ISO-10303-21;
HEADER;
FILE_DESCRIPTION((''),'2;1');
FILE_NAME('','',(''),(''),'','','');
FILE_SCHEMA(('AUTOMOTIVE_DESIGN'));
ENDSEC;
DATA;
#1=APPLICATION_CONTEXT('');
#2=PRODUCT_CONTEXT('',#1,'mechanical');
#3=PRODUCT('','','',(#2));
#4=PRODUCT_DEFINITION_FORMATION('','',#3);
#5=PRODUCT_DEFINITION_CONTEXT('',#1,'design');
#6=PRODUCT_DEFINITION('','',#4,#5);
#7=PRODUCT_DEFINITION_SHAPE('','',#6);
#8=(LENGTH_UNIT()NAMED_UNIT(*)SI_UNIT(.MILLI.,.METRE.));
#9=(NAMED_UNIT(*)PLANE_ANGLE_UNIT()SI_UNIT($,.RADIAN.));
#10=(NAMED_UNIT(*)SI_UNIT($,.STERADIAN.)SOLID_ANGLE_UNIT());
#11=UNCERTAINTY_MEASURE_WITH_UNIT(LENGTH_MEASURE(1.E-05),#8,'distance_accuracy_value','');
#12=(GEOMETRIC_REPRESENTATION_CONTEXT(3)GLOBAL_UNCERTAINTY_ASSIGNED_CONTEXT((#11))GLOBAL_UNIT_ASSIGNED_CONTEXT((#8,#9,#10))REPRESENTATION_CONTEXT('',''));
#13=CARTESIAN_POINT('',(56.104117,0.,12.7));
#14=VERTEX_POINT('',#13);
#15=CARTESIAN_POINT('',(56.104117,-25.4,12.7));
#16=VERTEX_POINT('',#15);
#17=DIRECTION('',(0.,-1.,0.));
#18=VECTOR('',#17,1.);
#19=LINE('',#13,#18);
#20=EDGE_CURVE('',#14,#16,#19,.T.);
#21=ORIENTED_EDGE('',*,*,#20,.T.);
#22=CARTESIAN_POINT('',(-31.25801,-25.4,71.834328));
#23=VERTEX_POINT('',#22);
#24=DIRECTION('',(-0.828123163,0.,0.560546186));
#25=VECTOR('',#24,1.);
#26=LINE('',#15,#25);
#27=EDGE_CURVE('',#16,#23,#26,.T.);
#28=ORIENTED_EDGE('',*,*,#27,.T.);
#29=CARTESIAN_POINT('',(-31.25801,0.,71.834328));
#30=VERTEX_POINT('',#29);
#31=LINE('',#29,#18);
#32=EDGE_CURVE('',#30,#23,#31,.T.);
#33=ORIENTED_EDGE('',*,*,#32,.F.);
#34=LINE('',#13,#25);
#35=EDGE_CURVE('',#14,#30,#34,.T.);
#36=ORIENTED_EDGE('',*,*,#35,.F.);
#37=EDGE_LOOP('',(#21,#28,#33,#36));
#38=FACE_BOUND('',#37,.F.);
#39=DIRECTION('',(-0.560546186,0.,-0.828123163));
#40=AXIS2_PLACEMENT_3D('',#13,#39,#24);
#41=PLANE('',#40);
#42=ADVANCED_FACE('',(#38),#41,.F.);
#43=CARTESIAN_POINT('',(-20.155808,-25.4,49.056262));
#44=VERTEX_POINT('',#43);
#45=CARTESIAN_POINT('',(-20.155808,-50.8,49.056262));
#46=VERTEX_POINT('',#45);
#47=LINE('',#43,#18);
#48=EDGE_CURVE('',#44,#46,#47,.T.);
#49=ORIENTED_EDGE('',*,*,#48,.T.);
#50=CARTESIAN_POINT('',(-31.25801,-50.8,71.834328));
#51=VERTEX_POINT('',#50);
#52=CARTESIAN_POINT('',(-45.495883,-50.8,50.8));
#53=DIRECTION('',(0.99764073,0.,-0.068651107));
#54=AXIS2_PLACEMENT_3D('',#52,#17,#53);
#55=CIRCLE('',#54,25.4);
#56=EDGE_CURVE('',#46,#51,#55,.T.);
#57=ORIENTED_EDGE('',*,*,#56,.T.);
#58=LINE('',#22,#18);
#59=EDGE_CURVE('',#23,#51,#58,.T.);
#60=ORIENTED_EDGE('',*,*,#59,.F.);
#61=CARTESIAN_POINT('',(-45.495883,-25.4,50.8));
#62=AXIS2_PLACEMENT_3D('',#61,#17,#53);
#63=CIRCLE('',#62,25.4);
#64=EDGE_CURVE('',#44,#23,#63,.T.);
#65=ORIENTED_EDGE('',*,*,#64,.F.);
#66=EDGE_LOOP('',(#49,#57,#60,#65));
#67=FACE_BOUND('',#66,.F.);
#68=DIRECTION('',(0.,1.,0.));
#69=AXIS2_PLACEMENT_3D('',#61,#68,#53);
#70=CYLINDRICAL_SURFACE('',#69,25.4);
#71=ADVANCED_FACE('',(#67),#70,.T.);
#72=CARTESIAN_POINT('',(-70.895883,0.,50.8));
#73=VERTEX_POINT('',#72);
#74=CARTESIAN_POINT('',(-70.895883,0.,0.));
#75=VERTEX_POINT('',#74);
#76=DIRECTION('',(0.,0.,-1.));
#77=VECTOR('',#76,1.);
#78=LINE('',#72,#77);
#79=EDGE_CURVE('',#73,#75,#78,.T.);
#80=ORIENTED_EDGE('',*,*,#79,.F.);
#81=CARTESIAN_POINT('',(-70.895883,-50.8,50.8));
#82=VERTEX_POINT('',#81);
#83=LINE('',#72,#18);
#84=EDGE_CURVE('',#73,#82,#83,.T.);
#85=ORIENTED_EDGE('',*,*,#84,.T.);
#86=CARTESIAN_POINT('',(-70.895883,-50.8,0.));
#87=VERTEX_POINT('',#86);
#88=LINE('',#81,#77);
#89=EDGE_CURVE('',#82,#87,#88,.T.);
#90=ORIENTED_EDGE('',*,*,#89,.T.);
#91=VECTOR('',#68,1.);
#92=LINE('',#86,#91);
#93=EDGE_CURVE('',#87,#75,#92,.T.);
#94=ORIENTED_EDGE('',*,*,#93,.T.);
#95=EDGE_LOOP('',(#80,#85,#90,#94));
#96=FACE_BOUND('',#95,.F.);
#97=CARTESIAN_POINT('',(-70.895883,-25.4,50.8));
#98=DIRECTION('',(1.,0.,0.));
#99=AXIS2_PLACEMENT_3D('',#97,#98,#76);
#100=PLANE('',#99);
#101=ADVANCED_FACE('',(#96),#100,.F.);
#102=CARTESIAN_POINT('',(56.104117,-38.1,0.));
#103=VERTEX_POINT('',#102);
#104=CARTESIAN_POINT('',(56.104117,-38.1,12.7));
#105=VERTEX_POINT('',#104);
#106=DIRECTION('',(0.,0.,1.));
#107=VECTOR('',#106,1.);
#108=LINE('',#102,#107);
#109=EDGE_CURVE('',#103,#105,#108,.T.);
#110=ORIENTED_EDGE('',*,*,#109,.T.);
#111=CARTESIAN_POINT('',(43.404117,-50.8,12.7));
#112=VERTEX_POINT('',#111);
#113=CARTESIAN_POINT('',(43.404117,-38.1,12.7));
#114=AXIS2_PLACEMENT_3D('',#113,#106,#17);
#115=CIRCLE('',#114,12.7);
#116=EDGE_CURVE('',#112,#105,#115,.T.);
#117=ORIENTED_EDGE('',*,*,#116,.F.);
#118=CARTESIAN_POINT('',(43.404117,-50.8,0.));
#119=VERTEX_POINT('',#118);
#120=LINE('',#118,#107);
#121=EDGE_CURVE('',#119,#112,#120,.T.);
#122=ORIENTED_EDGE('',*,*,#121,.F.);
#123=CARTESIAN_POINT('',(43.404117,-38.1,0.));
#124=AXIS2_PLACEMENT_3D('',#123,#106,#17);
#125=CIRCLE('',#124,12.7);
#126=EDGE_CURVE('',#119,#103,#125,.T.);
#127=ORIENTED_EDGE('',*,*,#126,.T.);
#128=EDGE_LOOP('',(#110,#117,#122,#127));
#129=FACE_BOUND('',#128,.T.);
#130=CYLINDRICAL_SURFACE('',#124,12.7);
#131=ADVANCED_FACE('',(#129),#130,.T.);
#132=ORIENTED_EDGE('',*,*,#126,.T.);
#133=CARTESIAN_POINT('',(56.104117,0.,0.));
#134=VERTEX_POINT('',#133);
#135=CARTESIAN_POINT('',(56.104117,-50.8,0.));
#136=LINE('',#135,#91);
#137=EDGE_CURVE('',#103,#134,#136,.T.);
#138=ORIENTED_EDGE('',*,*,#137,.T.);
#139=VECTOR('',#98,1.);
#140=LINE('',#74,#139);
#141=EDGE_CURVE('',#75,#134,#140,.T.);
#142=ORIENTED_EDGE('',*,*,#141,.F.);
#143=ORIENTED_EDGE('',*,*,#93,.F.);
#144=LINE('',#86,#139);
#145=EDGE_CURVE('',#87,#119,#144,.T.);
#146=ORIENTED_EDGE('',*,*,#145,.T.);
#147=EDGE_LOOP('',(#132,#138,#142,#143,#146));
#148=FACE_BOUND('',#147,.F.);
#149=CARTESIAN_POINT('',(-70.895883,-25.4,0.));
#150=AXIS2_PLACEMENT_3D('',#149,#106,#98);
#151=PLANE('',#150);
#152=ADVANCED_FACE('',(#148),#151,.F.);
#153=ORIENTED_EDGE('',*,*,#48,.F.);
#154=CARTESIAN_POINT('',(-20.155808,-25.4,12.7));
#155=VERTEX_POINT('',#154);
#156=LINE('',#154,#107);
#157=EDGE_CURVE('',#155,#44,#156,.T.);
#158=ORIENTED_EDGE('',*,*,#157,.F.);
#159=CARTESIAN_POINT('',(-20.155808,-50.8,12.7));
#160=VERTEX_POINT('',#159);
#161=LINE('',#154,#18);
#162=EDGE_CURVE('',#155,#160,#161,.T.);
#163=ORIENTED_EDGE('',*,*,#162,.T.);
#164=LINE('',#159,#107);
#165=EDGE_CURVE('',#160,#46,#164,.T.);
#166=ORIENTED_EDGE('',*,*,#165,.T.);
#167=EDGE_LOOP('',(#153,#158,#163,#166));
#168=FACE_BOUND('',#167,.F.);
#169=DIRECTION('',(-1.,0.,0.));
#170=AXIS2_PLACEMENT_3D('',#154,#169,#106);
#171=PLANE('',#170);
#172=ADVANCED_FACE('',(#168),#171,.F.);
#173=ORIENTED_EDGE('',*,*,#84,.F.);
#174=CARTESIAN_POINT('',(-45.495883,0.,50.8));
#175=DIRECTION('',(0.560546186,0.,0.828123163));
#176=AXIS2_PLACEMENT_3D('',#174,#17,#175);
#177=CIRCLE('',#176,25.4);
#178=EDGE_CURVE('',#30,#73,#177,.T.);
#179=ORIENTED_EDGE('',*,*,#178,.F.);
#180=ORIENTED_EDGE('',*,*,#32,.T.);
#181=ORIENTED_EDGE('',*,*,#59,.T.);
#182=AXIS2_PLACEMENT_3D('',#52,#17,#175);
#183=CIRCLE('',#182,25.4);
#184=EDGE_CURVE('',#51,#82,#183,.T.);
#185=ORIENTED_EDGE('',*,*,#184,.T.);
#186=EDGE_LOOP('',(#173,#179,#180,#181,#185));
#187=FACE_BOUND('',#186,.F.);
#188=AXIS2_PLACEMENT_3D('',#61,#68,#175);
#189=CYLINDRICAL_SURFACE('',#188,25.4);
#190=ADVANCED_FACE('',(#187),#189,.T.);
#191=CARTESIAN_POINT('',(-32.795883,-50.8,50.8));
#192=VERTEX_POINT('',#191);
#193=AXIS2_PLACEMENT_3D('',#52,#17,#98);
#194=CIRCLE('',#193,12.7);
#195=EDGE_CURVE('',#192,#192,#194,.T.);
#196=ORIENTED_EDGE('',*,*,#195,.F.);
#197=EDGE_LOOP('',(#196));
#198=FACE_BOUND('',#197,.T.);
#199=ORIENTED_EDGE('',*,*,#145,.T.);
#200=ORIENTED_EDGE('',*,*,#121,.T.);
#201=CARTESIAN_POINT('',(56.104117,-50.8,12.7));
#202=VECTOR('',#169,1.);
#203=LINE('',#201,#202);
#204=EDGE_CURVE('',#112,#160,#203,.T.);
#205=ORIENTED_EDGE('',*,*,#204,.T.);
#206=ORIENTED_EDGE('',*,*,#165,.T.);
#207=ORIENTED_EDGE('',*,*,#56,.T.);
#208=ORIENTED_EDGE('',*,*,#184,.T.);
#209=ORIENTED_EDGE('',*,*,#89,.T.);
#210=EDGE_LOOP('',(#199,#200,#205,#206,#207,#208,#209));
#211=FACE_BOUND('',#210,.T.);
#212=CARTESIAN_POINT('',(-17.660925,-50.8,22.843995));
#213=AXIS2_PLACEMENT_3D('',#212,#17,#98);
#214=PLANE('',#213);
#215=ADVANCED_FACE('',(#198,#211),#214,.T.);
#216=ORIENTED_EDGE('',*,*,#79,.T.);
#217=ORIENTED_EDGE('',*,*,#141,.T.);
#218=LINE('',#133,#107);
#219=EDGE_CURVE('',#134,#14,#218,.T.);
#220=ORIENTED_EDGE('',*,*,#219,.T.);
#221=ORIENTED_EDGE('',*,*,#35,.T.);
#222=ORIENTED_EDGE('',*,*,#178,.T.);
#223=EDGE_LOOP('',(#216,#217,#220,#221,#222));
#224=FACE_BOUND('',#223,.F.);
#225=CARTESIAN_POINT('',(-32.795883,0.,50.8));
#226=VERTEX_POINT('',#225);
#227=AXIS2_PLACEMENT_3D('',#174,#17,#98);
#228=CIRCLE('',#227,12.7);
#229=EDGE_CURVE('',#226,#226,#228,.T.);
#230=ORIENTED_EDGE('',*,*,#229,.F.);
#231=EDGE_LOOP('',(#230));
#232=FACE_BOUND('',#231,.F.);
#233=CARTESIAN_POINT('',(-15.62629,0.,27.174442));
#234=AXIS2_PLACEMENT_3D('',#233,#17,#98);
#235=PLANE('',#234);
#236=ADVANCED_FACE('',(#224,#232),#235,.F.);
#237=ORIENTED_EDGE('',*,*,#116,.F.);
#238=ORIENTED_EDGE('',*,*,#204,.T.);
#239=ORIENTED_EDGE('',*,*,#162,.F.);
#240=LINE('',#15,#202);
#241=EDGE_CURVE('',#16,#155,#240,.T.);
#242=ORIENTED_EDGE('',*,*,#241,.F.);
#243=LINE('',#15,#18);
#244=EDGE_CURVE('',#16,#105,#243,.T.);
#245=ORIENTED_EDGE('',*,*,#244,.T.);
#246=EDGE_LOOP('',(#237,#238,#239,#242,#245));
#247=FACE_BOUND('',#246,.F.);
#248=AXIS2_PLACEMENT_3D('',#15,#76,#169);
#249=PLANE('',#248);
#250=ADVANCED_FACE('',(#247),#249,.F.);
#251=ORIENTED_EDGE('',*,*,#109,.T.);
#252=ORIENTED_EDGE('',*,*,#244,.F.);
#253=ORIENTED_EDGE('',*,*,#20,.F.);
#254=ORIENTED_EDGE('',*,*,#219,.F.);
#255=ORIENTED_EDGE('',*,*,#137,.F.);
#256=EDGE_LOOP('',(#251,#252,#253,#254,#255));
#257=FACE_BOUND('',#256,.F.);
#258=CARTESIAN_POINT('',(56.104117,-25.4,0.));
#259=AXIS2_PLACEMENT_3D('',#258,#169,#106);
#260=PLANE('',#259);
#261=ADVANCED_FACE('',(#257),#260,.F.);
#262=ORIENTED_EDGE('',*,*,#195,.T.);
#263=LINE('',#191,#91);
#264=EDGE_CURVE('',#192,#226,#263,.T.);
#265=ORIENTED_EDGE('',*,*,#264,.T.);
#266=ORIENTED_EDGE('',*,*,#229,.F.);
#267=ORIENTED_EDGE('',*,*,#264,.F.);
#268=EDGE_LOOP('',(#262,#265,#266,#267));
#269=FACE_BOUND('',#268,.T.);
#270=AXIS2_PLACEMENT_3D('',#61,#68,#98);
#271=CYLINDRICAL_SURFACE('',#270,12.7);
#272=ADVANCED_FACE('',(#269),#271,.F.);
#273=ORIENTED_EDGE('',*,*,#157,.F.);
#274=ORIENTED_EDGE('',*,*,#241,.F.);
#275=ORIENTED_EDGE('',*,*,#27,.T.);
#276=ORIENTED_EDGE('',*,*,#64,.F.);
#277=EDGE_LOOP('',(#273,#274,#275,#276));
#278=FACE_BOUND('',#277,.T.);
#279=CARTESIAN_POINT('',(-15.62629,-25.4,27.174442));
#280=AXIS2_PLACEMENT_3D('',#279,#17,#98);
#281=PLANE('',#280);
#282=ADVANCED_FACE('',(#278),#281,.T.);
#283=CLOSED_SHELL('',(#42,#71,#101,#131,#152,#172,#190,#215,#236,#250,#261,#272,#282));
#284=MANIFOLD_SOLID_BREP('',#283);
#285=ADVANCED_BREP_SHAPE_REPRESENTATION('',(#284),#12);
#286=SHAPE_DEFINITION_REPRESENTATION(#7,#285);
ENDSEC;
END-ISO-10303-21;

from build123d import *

# Parameters (mm, degrees)
F0_R     = 12.7
F1_DEPTH = 25.4
F2_R     = 12.7
F3_DEPTH = 25.4
F4_R     = 12.7


with BuildPart() as f1:
    # F0 (on Front) → F1 (new body)
    with BuildSketch(Plane.XZ):
        with BuildLine():
            Line((56.1041173697, 12.7), (-31.2580095022, 71.8343283417))
            ThreePointArc((-31.2580095022, 71.8343283417), (-57.402141962, 73.2365993129), (-70.8958826303, 50.8))
            Line((-70.8958826303, 50.8), (-70.8958826303, 0))
            Line((-70.8958826303, 0), (56.1041173697, 0))
            Line((56.1041173697, 0), (56.1041173697, 12.7))
        make_face()
        with Locations((-45.4958826303, 50.8)):
            Circle(F0_R, mode=Mode.SUBTRACT)
    extrude(amount=F1_DEPTH)

    # F2 (on face) → F3 (join)
    with BuildSketch(Plane.XZ.offset(25.4)):
        with BuildLine():
            Line((-20.1558080966, 12.7), (-20.1558080966, 49.0562618815))
            ThreePointArc((-20.1558080966, 49.0562618815), (-22.663590516, 61.9286313985), (-31.2580095022, 71.8343283417))
            ThreePointArc((-31.2580095022, 71.8343283417), (-57.402141962, 73.2365993129), (-70.8958826303, 50.8))
            Line((-70.8958826303, 50.8), (-70.8958826303, 12.7))
            Line((-70.8958826303, 12.7), (-70.8958826303, 7.7714477666))
            Line((-70.8958826303, 7.7714477666), (-70.8958826303, 0))
            Line((-70.8958826303, 0), (56.1041173697, 0))
            Line((56.1041173697, 0), (56.1041173697, 7.7714477666))
            Line((56.1041173697, 7.7714477666), (56.1041173697, 12.7))
            Line((56.1041173697, 12.7), (-20.1558080966, 12.7))
        make_face()
        with Locations((-45.4958826303, 50.8)):
            Circle(F2_R, mode=Mode.SUBTRACT)
    extrude(amount=F3_DEPTH)

    # F4
    f4_edges = [f1.edges().sort_by_distance(p)[0] for p in [
        (56.104117, -50.8, 6.35),
    ]]
    fillet(f4_edges, radius=F4_R)


solid = f1.part
